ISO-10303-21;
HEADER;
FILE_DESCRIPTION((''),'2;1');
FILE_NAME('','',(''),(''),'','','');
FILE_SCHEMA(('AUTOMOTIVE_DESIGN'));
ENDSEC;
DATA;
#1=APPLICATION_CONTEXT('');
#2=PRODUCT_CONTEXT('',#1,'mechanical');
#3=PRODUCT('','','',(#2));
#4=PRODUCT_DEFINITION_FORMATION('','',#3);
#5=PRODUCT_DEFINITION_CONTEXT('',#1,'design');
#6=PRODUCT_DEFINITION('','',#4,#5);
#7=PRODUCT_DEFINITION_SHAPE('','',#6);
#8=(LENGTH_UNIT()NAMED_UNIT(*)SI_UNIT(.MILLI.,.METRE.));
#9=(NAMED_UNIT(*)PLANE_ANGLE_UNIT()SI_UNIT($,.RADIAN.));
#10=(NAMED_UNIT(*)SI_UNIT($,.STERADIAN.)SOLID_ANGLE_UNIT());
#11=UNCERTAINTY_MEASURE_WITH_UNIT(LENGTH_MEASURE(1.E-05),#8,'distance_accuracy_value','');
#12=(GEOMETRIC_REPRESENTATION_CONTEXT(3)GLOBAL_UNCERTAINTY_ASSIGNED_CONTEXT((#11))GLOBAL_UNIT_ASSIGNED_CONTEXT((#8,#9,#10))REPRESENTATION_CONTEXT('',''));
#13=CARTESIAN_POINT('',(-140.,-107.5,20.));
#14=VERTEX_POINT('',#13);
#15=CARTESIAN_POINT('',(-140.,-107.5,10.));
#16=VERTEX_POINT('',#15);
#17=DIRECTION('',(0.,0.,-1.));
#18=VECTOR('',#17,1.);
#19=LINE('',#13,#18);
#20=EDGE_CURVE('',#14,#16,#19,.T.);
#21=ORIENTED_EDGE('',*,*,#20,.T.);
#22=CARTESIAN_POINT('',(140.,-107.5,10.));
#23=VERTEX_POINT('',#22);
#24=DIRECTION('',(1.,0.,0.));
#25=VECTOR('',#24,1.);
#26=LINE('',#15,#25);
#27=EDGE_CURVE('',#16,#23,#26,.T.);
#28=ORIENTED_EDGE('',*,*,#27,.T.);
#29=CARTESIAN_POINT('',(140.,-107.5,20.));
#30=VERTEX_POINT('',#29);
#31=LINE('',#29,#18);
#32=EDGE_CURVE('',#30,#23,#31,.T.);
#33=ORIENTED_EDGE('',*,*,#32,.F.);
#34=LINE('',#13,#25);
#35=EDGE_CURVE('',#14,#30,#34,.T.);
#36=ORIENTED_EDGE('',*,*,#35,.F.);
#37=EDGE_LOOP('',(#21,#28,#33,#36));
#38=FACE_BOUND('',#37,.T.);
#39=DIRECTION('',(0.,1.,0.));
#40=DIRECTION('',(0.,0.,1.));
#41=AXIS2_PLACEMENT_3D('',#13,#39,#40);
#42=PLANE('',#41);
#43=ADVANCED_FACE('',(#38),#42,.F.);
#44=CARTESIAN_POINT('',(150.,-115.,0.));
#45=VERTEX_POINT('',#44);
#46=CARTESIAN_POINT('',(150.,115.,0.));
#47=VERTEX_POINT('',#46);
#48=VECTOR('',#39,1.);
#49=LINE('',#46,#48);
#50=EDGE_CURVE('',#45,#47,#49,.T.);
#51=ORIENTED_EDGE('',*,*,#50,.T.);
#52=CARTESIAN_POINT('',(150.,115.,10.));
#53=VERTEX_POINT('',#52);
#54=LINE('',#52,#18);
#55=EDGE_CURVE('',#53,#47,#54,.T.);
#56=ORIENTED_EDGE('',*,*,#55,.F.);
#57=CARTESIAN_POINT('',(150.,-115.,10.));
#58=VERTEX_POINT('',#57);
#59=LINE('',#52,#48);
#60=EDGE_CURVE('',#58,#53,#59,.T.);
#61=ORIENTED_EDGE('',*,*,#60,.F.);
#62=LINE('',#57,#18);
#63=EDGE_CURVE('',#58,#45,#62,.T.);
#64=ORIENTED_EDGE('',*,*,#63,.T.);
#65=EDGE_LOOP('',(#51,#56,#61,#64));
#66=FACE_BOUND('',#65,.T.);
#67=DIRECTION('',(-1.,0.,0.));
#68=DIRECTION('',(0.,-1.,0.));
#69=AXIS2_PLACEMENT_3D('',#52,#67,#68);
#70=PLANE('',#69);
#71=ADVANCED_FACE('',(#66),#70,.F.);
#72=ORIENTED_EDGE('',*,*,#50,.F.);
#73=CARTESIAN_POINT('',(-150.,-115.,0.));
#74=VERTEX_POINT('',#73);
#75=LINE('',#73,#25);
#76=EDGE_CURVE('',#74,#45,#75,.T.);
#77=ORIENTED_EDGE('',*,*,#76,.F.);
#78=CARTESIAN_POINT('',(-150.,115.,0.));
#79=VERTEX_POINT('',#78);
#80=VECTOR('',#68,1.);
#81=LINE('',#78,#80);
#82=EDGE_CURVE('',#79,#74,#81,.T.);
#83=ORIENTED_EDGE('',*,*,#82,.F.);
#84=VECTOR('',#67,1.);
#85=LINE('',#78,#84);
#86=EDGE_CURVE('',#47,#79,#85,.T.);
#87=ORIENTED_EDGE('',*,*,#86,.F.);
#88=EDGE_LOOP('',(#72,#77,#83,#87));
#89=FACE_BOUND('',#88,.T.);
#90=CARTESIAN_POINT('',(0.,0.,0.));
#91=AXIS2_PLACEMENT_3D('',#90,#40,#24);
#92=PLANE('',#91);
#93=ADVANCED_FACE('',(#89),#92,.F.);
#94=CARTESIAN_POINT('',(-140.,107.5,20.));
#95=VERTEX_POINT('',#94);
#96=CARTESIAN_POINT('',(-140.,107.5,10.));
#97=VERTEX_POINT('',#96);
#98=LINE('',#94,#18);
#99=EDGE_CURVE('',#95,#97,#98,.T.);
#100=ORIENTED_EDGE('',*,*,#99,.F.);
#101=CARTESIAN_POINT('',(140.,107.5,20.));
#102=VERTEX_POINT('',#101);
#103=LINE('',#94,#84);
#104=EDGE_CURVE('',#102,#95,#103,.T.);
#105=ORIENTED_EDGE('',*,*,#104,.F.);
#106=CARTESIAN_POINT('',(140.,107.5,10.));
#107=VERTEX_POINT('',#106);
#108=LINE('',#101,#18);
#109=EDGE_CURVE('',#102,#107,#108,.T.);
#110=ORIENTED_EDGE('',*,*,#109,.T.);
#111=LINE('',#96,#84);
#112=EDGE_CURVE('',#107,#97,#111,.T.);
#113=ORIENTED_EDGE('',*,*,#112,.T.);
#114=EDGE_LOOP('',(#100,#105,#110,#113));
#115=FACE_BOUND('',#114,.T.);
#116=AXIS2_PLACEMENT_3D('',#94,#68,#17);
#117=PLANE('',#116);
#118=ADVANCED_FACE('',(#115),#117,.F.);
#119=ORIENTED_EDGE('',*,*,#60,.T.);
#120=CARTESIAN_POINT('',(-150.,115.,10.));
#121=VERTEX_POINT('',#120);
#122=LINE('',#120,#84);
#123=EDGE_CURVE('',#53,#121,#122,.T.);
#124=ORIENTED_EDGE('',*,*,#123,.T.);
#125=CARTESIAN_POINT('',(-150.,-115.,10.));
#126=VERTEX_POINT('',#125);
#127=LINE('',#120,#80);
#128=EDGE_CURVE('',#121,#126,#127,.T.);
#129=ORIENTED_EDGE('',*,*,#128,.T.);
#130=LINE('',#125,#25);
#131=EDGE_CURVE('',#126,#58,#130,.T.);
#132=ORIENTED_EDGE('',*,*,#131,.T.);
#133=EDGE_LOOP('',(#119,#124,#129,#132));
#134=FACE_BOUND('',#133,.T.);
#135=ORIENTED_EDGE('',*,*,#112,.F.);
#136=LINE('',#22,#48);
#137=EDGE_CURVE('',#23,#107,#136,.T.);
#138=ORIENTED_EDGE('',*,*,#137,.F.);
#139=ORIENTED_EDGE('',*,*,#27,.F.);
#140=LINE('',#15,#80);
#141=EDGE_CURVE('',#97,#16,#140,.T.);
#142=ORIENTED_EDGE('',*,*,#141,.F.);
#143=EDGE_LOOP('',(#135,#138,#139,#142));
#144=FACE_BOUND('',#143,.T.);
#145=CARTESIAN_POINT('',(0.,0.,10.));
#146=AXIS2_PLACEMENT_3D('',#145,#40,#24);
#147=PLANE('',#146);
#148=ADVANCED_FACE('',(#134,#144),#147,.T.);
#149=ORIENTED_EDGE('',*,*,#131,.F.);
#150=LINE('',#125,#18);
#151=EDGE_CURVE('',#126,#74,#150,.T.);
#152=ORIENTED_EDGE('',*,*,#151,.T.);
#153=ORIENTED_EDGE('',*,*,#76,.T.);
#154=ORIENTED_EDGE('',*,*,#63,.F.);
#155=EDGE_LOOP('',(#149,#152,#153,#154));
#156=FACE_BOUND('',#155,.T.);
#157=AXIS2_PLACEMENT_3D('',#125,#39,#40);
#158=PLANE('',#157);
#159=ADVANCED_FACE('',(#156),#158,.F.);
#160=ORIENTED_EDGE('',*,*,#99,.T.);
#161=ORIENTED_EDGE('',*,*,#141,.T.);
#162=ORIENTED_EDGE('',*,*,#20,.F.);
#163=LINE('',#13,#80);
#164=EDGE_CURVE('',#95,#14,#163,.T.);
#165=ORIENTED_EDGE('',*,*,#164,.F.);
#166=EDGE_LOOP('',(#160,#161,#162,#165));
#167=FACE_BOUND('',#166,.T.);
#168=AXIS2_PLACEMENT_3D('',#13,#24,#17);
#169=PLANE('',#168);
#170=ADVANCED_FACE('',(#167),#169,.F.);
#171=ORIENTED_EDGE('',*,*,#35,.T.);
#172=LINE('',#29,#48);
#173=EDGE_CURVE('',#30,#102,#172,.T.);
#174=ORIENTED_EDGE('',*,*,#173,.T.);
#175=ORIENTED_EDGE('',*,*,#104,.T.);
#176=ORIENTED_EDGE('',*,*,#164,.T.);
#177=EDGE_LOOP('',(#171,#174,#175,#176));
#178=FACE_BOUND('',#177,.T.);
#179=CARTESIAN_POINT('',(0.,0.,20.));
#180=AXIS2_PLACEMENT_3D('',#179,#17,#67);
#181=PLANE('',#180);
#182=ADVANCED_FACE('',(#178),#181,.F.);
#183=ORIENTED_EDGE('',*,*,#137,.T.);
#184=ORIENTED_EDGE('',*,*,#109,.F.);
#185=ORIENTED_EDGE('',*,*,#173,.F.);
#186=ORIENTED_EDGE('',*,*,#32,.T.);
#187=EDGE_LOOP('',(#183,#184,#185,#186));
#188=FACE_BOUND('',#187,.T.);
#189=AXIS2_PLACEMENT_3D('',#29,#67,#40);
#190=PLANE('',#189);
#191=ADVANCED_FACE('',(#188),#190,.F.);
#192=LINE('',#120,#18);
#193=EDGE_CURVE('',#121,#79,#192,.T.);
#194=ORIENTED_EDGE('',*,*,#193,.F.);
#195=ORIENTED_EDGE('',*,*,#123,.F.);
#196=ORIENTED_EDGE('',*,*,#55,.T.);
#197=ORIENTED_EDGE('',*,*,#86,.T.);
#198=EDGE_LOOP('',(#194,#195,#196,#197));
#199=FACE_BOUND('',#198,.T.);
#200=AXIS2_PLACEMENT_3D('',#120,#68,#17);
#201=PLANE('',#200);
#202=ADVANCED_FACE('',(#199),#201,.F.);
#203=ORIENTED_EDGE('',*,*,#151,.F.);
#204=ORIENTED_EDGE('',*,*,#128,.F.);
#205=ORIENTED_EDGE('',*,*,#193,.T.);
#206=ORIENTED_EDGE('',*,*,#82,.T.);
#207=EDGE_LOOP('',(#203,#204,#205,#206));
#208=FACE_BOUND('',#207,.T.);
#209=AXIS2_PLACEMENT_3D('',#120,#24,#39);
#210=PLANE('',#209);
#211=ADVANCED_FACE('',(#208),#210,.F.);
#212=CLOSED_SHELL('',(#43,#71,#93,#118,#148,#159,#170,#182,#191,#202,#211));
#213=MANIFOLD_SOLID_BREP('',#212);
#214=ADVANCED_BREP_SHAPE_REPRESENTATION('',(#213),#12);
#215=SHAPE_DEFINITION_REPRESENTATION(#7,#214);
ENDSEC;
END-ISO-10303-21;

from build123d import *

# Parameters (mm, degrees)
ESBO_O1_W                = 300
ESBO_O1_H                = 230
RESSALTO_EXTRUS_O1_DEPTH = 10
ESBO_O2_W                = 280
ESBO_O2_H                = 215
RESSALTO_EXTRUS_O2_DEPTH = 10


with BuildPart() as part:
    # Esboço1 → Ressalto-extrusão1 (new body)
    with BuildSketch(Plane.XY):
        Rectangle(ESBO_O1_W, ESBO_O1_H)
    extrude(amount=RESSALTO_EXTRUS_O1_DEPTH)

    # Esboço2 → Ressalto-extrusão2 (add)
    with BuildSketch(Plane.XY.offset(10)):
        Rectangle(ESBO_O2_W, ESBO_O2_H)
    extrude(amount=RESSALTO_EXTRUS_O2_DEPTH)


solid = part.part
